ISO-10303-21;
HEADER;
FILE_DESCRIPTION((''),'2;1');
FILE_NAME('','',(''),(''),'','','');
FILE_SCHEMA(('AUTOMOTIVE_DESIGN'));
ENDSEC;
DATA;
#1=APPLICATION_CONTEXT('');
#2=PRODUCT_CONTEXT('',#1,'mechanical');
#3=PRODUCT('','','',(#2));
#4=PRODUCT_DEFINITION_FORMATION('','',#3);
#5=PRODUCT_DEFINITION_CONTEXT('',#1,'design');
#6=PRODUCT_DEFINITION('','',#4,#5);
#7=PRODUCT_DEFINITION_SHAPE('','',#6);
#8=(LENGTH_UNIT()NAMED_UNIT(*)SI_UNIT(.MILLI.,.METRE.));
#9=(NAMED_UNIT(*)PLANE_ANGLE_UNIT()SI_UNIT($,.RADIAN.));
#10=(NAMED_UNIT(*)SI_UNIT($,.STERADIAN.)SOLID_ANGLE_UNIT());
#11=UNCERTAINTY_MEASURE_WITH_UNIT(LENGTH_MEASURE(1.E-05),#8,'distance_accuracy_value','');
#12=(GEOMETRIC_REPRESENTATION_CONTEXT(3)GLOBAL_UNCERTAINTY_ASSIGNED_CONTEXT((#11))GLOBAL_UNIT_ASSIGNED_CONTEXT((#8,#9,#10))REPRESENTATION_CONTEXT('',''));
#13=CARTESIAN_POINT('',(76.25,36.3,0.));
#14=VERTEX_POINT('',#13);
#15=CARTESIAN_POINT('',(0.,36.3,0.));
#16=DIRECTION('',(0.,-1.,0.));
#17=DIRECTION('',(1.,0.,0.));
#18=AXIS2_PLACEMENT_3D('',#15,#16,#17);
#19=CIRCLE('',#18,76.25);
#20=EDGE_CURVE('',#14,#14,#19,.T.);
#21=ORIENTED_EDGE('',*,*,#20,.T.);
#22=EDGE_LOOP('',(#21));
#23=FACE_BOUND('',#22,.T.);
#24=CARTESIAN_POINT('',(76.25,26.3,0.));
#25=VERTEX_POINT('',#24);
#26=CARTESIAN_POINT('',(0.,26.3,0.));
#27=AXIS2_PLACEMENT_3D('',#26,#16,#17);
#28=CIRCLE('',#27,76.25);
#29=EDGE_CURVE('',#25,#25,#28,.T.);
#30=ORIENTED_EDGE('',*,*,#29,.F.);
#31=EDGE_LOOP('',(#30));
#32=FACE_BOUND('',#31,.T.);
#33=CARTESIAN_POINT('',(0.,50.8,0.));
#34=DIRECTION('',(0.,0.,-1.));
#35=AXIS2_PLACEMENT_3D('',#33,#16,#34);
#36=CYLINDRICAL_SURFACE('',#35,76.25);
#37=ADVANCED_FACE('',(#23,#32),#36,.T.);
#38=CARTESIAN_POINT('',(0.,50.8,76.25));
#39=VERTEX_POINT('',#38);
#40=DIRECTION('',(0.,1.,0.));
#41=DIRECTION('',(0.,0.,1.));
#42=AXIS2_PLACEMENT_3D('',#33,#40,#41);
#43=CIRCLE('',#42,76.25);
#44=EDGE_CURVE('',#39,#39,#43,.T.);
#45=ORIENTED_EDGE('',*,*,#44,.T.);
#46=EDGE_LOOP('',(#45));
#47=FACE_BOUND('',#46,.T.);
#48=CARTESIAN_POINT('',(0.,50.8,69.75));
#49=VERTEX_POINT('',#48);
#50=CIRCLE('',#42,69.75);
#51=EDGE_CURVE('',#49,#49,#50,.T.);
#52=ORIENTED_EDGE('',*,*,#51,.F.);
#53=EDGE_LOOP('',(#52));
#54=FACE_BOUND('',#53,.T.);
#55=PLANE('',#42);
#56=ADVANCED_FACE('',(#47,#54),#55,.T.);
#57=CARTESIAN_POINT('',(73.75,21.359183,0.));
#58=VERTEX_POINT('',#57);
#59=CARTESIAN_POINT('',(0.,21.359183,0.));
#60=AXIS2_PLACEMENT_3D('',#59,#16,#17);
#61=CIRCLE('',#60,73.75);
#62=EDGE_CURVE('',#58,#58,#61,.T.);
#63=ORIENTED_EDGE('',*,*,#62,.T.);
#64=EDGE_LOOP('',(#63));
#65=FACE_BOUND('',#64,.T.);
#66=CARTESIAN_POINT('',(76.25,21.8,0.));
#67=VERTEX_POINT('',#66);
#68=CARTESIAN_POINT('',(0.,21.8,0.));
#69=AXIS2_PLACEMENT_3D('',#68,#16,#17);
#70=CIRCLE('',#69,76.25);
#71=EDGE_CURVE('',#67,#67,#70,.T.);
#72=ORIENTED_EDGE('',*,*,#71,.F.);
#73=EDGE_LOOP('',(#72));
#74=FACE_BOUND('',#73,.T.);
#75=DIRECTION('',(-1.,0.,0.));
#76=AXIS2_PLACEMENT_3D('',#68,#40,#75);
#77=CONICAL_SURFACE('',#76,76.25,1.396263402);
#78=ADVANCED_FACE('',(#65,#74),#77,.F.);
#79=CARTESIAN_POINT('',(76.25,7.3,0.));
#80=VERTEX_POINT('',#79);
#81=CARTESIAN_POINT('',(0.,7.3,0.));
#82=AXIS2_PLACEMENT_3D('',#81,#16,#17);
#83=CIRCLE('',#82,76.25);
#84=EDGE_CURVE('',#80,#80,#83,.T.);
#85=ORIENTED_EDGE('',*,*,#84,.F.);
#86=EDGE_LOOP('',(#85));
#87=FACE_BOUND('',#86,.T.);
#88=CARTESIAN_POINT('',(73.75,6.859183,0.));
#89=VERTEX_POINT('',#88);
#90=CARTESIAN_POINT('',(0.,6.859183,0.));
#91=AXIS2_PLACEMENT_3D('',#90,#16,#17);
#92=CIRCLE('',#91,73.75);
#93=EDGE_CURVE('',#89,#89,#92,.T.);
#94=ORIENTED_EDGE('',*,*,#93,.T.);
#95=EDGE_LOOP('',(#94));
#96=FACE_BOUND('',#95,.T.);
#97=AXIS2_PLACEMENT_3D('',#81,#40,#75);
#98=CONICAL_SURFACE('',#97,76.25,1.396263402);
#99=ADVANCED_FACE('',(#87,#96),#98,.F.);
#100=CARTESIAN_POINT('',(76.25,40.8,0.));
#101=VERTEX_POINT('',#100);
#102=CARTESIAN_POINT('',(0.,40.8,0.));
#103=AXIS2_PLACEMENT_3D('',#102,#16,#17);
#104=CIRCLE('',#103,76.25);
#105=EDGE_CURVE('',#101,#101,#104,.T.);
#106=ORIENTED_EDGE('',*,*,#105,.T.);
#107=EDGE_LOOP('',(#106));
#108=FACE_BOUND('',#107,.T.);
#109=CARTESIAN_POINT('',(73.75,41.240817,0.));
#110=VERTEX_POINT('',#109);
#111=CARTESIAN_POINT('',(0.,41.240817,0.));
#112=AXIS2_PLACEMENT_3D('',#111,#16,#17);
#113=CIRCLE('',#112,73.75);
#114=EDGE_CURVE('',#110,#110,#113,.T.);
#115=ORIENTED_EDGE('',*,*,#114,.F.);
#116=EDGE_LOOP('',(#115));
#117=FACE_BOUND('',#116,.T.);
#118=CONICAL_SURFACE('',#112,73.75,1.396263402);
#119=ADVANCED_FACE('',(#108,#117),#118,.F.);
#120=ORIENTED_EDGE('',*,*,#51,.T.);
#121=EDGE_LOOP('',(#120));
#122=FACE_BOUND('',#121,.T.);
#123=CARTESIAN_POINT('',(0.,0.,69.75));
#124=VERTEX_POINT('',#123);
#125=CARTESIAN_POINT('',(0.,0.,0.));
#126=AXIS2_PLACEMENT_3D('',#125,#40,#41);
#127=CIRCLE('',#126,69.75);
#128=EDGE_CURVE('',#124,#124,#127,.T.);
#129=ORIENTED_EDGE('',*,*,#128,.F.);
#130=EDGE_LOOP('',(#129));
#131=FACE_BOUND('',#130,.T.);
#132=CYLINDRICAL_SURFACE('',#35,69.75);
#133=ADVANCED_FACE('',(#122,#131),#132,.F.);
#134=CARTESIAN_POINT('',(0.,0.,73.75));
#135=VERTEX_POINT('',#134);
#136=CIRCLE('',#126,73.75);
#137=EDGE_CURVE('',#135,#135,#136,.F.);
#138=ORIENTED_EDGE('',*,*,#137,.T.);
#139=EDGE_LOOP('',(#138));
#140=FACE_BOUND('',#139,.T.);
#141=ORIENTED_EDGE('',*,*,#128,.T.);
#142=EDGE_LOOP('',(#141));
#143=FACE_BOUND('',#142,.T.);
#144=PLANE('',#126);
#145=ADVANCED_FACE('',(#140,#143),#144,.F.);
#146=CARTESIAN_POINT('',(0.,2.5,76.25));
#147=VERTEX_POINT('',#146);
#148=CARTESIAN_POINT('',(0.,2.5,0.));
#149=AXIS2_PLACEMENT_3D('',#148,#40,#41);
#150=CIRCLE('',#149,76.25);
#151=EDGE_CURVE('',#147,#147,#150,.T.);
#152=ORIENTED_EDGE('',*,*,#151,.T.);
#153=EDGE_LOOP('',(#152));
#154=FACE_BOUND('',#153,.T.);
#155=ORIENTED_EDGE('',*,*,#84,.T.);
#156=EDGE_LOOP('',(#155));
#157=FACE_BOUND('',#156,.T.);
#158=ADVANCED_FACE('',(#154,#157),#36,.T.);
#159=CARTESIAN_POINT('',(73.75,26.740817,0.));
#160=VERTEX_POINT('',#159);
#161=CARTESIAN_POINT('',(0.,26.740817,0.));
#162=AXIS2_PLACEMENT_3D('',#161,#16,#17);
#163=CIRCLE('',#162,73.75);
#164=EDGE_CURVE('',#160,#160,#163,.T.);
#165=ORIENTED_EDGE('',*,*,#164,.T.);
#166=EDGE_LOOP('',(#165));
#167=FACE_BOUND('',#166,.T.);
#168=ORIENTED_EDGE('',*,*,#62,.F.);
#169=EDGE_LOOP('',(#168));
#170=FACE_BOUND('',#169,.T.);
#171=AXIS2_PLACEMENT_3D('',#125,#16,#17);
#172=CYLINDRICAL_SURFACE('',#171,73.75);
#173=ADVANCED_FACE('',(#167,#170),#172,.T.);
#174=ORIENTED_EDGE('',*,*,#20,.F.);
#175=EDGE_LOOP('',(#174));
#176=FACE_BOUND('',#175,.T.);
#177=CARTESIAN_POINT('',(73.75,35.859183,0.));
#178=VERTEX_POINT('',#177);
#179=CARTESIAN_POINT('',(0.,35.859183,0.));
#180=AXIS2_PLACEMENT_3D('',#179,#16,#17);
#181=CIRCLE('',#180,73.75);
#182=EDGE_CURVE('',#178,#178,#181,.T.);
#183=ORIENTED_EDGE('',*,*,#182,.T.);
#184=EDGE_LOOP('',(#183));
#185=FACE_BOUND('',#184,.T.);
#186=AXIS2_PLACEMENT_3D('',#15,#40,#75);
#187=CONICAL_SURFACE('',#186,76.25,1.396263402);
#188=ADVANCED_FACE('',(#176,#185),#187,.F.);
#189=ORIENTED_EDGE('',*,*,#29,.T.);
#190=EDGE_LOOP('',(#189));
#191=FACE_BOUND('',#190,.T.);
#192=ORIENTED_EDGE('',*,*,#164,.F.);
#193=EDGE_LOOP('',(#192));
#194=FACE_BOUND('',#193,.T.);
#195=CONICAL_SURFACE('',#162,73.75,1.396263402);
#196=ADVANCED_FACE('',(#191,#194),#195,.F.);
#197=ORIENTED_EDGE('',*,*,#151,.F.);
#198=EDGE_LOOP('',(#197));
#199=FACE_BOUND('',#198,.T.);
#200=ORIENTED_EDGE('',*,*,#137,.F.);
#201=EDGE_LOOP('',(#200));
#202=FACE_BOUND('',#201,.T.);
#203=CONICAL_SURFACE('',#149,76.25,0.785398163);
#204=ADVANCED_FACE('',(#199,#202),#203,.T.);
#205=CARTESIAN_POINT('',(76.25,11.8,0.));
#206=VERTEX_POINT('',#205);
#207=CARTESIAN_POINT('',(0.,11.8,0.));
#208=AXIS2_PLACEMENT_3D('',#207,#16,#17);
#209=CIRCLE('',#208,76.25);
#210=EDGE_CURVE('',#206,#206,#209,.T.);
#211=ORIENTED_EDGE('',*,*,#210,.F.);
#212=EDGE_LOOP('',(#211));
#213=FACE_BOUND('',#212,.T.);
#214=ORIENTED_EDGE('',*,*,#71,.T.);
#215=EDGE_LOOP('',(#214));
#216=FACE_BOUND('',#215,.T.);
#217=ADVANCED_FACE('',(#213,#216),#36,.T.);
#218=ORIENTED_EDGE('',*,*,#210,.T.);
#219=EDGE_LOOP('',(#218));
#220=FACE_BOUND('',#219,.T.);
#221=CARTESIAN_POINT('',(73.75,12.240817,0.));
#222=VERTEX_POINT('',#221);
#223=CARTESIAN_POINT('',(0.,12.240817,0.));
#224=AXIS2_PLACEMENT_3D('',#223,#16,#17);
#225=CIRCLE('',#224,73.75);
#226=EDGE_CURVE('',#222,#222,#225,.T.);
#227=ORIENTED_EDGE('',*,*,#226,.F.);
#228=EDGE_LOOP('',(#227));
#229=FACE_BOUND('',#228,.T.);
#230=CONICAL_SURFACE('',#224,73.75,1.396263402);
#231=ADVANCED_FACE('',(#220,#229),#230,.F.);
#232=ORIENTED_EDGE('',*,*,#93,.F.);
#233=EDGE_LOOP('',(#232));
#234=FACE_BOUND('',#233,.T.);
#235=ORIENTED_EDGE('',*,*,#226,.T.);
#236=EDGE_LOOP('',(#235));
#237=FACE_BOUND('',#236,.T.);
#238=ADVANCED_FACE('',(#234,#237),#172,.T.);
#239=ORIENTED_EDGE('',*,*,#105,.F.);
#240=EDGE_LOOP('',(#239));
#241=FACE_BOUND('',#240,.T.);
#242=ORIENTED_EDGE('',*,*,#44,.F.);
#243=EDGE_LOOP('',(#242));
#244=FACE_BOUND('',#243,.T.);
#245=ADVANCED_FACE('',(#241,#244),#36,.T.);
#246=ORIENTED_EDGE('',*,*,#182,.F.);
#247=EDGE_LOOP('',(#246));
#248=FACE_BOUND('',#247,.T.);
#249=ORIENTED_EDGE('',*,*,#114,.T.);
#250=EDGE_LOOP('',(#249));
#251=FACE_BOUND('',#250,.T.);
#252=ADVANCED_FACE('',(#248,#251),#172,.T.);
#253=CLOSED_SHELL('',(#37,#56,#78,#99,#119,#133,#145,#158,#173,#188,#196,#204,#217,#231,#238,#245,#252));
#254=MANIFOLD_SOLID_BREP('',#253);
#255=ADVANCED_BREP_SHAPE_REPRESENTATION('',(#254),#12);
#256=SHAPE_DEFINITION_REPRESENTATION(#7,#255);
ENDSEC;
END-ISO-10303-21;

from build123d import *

# Parameters (mm, degrees)
SKETCH1_R           = 76.25
SKETCH1_R_2         = 69.75
BOSS_EXTRUDE1_DEPTH = 50.8
CHAMFER1_SIZE       = 2.5


with BuildPart() as part:
    # Sketch1 → Boss-Extrude1 (new body)
    with BuildSketch(Plane(origin=(0, 0, 0), x_dir=(1, 0, 0), z_dir=(0, 1, 0))):
        Circle(SKETCH1_R)
        Circle(SKETCH1_R_2, mode=Mode.SUBTRACT)
    extrude(amount=BOSS_EXTRUDE1_DEPTH)

    # Sketch2 → Cut-Revolve1 (revolve, cut)
    with BuildSketch(Plane.XY):
        Polygon((-76.25, 40.8), (-76.25, 36.3), (-73.75, 35.859182548), (-73.75, 41.240817452), align=None)
        Polygon((-73.75, 26.740817452), (-73.75, 21.359182548), (-76.25, 21.8), (-76.25, 26.3), align=None)
        Polygon((-73.75, 12.240817452), (-73.75, 6.859182548), (-76.25, 7.3), (-76.25, 11.8), align=None)
    revolve(axis=Axis((0, 0, 0), (0, 1, 0)), mode=Mode.SUBTRACT)

    # Chamfer1
    chamfer1_edges = [part.edges().sort_by_distance(p)[0] for p in [
        (-76.25, 0, 0),
    ]]
    chamfer(chamfer1_edges, length=CHAMFER1_SIZE)


solid = part.part
